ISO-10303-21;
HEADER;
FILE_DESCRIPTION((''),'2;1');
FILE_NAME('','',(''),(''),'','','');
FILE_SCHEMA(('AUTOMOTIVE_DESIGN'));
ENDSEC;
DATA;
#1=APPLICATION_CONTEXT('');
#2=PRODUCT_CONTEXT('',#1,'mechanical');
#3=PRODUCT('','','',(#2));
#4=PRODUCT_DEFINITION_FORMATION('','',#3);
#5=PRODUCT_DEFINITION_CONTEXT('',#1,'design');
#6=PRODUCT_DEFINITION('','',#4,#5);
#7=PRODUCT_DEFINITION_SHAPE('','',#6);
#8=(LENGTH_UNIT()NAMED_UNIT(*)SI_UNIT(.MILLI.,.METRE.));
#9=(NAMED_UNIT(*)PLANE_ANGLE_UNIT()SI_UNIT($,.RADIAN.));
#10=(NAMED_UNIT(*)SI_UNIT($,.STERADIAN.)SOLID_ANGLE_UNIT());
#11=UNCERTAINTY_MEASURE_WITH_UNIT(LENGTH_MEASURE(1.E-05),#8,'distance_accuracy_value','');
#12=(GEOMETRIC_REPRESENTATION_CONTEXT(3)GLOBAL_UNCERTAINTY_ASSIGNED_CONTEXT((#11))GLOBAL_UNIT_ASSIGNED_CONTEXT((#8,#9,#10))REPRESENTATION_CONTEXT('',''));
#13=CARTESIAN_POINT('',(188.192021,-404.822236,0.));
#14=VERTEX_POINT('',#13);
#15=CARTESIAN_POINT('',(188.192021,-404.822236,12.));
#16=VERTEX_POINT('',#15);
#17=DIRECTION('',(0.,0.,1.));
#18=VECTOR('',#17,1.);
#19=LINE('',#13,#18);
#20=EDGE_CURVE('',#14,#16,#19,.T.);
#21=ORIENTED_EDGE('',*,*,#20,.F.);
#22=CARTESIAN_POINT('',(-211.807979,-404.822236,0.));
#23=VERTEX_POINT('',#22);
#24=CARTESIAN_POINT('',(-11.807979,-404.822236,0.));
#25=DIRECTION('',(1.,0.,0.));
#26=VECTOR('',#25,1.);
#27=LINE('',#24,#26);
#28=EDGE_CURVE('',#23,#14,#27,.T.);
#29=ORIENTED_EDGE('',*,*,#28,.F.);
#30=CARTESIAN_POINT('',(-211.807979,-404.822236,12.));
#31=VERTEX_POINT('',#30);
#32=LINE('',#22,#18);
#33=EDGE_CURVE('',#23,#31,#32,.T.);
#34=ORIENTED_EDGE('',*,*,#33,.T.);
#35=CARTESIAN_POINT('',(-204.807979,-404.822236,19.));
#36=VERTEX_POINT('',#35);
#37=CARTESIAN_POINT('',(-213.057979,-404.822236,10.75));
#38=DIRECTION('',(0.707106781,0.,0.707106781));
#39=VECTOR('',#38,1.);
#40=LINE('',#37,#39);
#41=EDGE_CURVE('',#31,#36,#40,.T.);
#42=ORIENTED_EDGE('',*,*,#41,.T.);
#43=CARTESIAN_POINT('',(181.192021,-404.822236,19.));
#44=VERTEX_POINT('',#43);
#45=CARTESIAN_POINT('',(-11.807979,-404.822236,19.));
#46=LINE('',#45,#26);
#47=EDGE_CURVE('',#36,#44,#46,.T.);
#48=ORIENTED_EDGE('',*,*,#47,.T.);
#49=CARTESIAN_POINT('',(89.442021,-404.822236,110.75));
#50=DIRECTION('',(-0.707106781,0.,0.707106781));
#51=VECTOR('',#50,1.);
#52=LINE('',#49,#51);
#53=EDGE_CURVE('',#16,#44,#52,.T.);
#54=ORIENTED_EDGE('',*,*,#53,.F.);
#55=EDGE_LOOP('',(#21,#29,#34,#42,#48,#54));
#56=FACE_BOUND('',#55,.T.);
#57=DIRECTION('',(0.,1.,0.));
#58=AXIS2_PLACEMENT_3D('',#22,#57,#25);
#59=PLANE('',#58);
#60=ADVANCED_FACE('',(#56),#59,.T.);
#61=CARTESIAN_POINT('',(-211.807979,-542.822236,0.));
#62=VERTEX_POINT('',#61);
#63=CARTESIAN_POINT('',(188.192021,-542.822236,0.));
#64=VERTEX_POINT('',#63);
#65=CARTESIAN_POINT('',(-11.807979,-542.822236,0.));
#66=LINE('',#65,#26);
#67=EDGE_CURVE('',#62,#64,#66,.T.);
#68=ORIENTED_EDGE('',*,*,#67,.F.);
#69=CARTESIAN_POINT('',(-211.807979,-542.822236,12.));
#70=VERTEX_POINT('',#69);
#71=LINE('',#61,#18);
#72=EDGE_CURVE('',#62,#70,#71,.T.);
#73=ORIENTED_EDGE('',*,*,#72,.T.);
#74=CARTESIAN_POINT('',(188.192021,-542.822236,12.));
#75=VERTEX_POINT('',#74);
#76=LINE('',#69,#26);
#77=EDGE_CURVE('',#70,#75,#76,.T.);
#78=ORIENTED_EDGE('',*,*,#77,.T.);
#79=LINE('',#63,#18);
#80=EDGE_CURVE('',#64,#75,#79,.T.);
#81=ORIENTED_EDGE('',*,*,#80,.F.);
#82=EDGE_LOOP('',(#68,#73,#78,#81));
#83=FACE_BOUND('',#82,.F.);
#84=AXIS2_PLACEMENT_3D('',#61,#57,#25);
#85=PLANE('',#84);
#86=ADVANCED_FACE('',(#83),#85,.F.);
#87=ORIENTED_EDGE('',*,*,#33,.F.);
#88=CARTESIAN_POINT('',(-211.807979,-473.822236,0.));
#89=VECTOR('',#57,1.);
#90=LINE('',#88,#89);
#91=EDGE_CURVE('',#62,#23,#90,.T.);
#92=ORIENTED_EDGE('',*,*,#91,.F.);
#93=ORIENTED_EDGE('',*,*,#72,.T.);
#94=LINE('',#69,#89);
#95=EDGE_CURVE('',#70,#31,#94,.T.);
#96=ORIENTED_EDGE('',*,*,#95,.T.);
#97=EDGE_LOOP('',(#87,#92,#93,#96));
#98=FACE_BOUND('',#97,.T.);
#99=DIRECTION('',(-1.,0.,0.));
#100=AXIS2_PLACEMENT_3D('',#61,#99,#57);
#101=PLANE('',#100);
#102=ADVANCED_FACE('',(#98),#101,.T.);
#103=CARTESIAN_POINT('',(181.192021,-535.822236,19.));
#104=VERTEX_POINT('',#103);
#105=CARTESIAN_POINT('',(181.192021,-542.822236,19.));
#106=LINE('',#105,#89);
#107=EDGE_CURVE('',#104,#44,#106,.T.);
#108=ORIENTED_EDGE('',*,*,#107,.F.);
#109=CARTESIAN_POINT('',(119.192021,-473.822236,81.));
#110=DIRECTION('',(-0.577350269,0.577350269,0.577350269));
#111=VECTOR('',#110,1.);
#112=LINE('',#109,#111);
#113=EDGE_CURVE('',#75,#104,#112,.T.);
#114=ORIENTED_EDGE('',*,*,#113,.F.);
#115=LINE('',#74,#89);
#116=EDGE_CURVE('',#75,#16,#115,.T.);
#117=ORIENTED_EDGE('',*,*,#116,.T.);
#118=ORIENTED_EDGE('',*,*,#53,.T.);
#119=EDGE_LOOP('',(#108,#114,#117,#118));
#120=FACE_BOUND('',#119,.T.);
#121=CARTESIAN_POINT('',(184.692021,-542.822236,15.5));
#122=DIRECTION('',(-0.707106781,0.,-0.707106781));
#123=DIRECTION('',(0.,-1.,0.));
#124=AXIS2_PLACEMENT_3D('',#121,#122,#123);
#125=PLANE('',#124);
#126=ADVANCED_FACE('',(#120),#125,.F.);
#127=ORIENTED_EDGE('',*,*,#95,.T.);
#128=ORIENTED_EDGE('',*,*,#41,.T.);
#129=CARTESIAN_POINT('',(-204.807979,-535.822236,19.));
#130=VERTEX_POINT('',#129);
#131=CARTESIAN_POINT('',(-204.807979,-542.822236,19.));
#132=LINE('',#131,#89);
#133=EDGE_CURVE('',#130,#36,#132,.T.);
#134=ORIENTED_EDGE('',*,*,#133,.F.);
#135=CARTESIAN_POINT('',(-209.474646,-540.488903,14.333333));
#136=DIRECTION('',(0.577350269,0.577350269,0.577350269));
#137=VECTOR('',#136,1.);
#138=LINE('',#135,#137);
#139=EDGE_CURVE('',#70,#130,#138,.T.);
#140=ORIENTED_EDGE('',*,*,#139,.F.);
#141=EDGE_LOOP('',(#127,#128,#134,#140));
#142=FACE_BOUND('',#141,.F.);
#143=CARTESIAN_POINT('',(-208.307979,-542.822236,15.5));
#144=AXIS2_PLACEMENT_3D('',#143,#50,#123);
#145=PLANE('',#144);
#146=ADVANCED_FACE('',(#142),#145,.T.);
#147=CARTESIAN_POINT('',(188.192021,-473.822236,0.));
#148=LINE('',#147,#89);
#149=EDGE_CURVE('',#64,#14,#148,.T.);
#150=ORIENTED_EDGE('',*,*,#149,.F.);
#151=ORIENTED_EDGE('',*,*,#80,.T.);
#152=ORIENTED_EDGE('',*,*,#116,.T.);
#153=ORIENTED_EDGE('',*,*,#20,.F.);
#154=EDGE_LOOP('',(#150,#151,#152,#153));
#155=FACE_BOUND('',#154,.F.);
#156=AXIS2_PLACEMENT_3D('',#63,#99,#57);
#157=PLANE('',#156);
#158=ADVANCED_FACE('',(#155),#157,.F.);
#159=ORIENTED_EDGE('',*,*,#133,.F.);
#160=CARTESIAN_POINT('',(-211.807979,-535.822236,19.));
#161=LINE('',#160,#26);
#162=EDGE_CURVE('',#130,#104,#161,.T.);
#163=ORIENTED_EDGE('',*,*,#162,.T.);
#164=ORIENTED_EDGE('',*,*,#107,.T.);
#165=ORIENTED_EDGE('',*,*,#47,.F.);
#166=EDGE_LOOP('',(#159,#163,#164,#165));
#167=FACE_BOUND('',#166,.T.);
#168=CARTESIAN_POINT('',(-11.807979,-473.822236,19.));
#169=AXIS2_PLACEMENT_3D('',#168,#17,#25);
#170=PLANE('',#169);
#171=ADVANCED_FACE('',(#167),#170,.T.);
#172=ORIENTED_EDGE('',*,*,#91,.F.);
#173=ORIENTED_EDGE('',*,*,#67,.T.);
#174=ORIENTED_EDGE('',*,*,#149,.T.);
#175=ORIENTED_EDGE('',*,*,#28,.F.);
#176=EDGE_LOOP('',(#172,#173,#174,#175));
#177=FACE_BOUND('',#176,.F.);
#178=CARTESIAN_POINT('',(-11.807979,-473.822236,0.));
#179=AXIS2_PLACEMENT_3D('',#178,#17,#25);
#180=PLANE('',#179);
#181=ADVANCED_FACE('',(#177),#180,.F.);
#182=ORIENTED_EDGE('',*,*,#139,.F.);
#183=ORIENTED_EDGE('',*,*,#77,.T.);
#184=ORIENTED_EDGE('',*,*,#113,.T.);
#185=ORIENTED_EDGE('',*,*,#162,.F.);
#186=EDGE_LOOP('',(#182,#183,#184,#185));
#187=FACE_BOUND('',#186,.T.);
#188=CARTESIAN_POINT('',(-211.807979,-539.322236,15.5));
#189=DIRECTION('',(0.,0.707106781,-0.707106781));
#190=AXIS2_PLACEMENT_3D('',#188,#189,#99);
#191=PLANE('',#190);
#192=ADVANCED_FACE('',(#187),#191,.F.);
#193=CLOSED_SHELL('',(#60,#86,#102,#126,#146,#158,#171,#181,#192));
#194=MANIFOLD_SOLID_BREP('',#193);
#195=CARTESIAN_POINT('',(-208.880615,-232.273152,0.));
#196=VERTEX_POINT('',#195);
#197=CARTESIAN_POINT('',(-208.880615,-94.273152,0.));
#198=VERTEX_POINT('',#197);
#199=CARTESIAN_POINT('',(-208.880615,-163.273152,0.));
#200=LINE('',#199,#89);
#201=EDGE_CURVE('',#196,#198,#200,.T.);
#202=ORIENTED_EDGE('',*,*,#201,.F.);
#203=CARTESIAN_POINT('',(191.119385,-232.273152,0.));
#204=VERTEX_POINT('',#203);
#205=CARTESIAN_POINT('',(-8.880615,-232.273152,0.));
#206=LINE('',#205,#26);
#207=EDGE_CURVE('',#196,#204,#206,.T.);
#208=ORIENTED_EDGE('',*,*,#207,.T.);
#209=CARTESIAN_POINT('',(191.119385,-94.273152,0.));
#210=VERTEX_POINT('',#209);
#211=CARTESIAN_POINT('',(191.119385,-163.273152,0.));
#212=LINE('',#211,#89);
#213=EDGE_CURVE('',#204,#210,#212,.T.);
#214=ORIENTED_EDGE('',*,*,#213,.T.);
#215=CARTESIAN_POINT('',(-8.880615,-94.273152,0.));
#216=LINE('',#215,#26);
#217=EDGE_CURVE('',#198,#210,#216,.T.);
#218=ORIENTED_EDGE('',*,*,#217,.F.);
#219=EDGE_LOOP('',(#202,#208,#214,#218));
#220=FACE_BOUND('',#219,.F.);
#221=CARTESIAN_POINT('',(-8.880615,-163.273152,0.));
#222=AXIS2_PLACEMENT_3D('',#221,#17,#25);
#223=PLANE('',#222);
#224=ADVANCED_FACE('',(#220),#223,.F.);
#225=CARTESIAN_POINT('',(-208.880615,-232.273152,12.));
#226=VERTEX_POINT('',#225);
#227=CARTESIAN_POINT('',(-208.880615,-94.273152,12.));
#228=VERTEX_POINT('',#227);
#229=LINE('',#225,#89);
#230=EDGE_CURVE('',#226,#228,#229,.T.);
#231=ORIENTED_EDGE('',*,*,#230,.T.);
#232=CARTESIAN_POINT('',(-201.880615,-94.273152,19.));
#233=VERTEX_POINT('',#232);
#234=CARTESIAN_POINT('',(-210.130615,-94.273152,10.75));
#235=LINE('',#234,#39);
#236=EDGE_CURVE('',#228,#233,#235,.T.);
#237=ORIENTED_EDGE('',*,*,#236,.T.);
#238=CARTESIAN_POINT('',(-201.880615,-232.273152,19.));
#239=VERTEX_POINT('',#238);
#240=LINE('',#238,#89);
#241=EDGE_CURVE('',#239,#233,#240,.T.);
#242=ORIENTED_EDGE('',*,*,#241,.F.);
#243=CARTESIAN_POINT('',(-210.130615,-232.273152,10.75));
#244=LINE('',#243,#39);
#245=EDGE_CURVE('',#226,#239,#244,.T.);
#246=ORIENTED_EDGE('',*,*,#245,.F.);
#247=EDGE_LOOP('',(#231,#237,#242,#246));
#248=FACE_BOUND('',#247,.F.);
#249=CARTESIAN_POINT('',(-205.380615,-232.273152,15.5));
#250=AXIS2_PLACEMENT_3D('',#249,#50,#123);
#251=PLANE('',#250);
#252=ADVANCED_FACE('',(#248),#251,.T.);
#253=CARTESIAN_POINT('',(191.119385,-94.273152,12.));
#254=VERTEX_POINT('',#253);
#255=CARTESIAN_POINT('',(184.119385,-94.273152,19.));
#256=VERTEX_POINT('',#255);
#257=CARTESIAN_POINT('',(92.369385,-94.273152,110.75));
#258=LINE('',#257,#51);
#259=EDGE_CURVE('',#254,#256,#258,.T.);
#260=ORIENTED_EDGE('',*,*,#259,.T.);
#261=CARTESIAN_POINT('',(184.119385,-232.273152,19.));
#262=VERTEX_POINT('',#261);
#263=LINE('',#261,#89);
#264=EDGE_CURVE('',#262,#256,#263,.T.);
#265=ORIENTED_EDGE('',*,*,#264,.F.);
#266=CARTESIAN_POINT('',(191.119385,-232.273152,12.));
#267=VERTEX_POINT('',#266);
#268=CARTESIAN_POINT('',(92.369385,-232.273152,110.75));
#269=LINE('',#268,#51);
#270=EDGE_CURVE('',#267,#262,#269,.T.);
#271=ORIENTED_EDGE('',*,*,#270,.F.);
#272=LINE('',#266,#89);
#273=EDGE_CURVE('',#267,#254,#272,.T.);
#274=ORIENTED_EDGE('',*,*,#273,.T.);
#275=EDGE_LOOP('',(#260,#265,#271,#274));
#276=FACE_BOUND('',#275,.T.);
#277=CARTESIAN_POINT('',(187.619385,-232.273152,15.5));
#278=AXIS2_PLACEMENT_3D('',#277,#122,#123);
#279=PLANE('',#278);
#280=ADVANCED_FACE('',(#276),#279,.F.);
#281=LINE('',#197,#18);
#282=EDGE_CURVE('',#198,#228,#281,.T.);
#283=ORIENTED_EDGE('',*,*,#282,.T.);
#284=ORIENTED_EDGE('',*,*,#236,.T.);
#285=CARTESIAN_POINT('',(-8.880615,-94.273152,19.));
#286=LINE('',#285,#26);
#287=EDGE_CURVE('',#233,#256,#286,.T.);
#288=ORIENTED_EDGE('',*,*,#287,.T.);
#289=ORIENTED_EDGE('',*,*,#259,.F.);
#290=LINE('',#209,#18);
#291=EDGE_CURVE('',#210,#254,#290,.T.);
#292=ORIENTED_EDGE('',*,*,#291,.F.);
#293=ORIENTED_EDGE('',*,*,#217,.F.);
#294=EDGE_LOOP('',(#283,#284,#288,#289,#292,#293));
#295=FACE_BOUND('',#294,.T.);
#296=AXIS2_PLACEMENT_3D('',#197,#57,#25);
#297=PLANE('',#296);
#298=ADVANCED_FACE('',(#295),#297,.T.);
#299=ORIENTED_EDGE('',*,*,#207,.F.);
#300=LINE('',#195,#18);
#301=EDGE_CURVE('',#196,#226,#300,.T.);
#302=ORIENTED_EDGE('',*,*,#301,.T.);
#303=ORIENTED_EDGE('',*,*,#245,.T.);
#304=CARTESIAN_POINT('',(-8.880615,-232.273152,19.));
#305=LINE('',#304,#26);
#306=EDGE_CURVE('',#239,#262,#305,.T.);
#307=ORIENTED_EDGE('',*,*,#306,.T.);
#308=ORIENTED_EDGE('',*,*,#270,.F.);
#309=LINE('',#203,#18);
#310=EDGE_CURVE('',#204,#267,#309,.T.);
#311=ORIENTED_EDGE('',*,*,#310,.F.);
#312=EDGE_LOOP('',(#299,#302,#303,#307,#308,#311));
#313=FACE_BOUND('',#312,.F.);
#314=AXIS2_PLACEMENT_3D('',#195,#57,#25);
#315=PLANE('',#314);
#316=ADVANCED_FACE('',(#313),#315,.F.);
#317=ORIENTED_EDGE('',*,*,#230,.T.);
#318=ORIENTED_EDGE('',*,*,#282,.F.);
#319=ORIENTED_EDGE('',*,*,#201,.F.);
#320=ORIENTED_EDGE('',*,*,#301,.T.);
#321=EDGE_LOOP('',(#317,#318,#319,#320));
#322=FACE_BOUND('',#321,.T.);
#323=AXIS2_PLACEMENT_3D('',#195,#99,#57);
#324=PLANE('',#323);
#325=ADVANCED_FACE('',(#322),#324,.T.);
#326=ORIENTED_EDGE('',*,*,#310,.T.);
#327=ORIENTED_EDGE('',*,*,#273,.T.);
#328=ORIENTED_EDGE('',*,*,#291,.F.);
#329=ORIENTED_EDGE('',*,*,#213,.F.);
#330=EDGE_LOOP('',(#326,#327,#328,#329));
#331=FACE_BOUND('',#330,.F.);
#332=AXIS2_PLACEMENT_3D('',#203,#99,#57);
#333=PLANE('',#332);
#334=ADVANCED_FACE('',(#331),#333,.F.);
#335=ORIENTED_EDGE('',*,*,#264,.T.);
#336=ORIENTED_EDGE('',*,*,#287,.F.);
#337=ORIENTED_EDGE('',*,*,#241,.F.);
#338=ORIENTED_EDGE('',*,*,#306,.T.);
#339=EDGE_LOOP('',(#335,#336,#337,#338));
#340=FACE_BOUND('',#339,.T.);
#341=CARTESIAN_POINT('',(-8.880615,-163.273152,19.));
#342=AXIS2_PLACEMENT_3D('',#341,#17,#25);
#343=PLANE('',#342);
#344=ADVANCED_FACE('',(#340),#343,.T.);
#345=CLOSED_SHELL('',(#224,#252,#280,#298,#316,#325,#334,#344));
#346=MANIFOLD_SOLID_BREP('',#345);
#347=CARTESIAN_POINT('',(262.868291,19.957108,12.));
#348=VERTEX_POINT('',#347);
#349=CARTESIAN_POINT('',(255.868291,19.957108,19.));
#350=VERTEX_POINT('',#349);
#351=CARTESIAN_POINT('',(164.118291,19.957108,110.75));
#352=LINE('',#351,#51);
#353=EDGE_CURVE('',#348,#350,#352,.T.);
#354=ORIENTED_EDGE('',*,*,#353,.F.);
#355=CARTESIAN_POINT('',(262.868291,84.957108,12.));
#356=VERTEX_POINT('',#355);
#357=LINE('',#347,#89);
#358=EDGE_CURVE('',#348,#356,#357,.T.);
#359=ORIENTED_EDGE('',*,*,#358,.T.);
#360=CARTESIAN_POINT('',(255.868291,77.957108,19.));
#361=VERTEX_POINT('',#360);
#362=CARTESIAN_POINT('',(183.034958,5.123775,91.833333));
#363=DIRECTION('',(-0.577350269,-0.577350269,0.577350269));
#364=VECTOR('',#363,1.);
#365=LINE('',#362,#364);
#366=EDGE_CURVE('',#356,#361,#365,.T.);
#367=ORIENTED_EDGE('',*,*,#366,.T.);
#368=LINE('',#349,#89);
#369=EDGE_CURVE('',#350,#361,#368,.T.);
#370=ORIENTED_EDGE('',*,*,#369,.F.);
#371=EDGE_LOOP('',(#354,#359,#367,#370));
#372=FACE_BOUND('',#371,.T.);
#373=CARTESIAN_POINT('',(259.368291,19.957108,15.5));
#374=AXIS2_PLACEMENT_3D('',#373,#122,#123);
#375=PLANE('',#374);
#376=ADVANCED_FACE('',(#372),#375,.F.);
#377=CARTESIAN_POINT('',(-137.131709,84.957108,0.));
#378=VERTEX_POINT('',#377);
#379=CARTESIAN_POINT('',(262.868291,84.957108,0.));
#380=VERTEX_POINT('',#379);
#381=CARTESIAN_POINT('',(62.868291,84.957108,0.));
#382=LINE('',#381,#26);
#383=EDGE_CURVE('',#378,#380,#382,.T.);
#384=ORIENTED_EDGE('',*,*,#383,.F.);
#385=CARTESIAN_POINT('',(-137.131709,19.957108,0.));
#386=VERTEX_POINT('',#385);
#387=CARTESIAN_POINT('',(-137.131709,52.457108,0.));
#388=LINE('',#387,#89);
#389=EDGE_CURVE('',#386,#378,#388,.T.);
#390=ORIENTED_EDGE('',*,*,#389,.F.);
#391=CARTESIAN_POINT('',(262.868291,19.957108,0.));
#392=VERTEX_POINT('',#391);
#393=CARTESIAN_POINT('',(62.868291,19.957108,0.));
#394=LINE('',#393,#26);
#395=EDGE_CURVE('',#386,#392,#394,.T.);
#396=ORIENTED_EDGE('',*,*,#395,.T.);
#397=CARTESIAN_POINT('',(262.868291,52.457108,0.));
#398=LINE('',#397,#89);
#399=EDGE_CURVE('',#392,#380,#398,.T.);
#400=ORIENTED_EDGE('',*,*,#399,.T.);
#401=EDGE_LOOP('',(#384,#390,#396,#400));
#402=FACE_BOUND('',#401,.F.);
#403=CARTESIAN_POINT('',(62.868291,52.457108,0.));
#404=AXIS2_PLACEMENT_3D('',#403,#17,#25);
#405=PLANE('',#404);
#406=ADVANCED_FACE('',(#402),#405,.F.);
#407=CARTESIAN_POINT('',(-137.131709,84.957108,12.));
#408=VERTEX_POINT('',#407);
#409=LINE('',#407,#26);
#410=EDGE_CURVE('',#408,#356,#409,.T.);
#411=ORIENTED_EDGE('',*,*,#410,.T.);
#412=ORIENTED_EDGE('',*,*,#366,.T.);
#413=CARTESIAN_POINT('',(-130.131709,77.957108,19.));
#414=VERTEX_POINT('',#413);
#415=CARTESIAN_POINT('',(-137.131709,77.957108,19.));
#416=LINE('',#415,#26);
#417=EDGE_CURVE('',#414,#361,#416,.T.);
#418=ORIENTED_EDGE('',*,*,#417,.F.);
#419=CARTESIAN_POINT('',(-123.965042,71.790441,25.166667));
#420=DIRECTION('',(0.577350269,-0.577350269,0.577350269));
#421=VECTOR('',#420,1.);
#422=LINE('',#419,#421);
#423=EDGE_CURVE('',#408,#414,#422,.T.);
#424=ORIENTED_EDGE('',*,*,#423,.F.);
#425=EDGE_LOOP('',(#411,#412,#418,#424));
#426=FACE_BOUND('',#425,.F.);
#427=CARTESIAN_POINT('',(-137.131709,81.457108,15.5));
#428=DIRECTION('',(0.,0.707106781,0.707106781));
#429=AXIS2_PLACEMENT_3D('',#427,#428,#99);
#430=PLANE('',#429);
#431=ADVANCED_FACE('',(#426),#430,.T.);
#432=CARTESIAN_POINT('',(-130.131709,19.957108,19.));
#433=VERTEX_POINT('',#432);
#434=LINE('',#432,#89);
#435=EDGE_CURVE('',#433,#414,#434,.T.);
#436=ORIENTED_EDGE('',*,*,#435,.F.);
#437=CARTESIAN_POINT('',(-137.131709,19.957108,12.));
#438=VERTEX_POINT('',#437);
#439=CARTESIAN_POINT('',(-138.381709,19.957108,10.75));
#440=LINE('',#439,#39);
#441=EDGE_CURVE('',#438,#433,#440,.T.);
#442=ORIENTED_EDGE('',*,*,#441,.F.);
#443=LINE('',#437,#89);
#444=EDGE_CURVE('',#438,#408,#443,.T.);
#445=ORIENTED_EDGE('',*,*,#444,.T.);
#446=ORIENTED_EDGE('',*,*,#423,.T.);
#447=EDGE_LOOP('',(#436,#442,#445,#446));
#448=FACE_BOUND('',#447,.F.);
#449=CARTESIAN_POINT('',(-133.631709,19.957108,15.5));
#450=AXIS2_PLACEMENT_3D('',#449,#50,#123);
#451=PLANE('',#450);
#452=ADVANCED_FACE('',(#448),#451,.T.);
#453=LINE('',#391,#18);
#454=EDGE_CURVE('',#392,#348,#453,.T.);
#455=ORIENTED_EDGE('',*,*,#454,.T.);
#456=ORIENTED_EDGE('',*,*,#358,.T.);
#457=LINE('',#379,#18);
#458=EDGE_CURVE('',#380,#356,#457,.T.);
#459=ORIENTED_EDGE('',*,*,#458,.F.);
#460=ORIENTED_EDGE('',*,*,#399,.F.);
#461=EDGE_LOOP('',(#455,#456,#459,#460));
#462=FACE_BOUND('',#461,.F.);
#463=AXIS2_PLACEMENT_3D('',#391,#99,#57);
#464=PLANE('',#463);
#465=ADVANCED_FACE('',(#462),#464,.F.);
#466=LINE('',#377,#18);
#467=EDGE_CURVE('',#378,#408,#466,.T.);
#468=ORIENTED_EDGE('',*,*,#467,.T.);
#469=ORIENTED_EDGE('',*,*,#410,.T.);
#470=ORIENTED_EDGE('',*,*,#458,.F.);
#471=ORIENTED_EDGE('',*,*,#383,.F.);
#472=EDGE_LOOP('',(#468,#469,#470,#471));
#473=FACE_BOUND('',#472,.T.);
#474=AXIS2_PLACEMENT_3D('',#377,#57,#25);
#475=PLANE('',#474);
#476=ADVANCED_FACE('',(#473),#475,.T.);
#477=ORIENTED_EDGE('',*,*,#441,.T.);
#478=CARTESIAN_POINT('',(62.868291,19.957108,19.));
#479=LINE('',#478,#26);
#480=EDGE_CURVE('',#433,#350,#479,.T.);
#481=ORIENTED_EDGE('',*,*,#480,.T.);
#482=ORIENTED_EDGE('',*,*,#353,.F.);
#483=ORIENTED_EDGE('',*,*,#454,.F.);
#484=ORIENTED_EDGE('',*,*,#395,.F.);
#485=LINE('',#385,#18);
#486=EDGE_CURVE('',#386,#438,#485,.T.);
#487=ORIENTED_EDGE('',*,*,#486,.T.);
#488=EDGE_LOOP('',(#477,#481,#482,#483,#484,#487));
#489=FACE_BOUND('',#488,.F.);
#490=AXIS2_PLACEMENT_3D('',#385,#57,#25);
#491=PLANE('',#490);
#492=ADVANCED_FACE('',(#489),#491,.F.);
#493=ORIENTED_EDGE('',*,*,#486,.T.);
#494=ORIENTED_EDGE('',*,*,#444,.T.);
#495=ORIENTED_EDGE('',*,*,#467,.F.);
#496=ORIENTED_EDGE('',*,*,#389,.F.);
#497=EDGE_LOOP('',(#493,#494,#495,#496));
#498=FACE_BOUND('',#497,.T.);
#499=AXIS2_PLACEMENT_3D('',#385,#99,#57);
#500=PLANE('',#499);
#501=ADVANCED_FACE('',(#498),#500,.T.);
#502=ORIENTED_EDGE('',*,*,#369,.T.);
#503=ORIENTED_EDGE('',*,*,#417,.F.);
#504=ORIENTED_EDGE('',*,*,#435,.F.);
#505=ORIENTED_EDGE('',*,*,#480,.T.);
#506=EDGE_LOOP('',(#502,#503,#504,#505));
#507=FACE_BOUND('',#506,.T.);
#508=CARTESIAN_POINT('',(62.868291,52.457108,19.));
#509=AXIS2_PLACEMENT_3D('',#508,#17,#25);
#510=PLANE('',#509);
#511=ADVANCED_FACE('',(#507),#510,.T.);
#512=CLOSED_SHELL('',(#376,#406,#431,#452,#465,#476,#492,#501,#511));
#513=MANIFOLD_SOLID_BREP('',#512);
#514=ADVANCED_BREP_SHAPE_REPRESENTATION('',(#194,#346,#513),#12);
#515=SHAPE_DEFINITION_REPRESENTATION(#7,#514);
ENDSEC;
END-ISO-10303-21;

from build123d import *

# Parameters (mm, degrees)
F0_W     = 400
F0_H     = 138
F1_DEPTH = 19
F2_W     = 400
F2_H     = 65
F3_DEPTH = 19
F4_W     = 400
F4_H     = 138
F5_DEPTH = 19
F6_SIZE  = 7
F7_SIZE  = 7
F8_SIZE  = 7


with BuildPart() as f1:
    # F0 (on Top) → F1 (new body)
    with BuildSketch(Plane.XY):
        with Locations((-8.880615, -163.273152)):
            Rectangle(F0_W, F0_H)
    extrude(amount=F1_DEPTH)

    # F7
    f7_edges = [f1.edges().sort_by_distance(p)[0] for p in [
        (-208.880615, -163.273152, 19),
        (191.119385, -163.273152, 19),
    ]]
    chamfer(f7_edges, length=F7_SIZE)


with BuildPart() as f3:
    # F2 (on Top) → F3 (new body)
    with BuildSketch(Plane.XY):
        with Locations((62.868291, 52.457108)):
            Rectangle(F2_W, F2_H)
    extrude(amount=F3_DEPTH)

    # F8
    f8_edges = [f3.edges().sort_by_distance(p)[0] for p in [
        (-137.131709, 52.457108, 19),
        (62.868291, 84.957108, 19),
        (262.868291, 52.457108, 19),
    ]]
    chamfer(f8_edges, length=F8_SIZE)


with BuildPart() as f5:
    # F4 (on Top) → F5 (new body)
    with BuildSketch(Plane.XY):
        with Locations((-11.807979, -473.822236)):
            Rectangle(F4_W, F4_H)
    extrude(amount=F5_DEPTH)

    # F6
    f6_edges = [f5.edges().sort_by_distance(p)[0] for p in [
        (-11.807979, -542.822236, 19),
        (-211.807979, -473.822236, 19),
        (188.192021, -473.822236, 19),
    ]]
    chamfer(f6_edges, length=F6_SIZE)


solid = Compound([f1.part, f3.part, f5.part])
